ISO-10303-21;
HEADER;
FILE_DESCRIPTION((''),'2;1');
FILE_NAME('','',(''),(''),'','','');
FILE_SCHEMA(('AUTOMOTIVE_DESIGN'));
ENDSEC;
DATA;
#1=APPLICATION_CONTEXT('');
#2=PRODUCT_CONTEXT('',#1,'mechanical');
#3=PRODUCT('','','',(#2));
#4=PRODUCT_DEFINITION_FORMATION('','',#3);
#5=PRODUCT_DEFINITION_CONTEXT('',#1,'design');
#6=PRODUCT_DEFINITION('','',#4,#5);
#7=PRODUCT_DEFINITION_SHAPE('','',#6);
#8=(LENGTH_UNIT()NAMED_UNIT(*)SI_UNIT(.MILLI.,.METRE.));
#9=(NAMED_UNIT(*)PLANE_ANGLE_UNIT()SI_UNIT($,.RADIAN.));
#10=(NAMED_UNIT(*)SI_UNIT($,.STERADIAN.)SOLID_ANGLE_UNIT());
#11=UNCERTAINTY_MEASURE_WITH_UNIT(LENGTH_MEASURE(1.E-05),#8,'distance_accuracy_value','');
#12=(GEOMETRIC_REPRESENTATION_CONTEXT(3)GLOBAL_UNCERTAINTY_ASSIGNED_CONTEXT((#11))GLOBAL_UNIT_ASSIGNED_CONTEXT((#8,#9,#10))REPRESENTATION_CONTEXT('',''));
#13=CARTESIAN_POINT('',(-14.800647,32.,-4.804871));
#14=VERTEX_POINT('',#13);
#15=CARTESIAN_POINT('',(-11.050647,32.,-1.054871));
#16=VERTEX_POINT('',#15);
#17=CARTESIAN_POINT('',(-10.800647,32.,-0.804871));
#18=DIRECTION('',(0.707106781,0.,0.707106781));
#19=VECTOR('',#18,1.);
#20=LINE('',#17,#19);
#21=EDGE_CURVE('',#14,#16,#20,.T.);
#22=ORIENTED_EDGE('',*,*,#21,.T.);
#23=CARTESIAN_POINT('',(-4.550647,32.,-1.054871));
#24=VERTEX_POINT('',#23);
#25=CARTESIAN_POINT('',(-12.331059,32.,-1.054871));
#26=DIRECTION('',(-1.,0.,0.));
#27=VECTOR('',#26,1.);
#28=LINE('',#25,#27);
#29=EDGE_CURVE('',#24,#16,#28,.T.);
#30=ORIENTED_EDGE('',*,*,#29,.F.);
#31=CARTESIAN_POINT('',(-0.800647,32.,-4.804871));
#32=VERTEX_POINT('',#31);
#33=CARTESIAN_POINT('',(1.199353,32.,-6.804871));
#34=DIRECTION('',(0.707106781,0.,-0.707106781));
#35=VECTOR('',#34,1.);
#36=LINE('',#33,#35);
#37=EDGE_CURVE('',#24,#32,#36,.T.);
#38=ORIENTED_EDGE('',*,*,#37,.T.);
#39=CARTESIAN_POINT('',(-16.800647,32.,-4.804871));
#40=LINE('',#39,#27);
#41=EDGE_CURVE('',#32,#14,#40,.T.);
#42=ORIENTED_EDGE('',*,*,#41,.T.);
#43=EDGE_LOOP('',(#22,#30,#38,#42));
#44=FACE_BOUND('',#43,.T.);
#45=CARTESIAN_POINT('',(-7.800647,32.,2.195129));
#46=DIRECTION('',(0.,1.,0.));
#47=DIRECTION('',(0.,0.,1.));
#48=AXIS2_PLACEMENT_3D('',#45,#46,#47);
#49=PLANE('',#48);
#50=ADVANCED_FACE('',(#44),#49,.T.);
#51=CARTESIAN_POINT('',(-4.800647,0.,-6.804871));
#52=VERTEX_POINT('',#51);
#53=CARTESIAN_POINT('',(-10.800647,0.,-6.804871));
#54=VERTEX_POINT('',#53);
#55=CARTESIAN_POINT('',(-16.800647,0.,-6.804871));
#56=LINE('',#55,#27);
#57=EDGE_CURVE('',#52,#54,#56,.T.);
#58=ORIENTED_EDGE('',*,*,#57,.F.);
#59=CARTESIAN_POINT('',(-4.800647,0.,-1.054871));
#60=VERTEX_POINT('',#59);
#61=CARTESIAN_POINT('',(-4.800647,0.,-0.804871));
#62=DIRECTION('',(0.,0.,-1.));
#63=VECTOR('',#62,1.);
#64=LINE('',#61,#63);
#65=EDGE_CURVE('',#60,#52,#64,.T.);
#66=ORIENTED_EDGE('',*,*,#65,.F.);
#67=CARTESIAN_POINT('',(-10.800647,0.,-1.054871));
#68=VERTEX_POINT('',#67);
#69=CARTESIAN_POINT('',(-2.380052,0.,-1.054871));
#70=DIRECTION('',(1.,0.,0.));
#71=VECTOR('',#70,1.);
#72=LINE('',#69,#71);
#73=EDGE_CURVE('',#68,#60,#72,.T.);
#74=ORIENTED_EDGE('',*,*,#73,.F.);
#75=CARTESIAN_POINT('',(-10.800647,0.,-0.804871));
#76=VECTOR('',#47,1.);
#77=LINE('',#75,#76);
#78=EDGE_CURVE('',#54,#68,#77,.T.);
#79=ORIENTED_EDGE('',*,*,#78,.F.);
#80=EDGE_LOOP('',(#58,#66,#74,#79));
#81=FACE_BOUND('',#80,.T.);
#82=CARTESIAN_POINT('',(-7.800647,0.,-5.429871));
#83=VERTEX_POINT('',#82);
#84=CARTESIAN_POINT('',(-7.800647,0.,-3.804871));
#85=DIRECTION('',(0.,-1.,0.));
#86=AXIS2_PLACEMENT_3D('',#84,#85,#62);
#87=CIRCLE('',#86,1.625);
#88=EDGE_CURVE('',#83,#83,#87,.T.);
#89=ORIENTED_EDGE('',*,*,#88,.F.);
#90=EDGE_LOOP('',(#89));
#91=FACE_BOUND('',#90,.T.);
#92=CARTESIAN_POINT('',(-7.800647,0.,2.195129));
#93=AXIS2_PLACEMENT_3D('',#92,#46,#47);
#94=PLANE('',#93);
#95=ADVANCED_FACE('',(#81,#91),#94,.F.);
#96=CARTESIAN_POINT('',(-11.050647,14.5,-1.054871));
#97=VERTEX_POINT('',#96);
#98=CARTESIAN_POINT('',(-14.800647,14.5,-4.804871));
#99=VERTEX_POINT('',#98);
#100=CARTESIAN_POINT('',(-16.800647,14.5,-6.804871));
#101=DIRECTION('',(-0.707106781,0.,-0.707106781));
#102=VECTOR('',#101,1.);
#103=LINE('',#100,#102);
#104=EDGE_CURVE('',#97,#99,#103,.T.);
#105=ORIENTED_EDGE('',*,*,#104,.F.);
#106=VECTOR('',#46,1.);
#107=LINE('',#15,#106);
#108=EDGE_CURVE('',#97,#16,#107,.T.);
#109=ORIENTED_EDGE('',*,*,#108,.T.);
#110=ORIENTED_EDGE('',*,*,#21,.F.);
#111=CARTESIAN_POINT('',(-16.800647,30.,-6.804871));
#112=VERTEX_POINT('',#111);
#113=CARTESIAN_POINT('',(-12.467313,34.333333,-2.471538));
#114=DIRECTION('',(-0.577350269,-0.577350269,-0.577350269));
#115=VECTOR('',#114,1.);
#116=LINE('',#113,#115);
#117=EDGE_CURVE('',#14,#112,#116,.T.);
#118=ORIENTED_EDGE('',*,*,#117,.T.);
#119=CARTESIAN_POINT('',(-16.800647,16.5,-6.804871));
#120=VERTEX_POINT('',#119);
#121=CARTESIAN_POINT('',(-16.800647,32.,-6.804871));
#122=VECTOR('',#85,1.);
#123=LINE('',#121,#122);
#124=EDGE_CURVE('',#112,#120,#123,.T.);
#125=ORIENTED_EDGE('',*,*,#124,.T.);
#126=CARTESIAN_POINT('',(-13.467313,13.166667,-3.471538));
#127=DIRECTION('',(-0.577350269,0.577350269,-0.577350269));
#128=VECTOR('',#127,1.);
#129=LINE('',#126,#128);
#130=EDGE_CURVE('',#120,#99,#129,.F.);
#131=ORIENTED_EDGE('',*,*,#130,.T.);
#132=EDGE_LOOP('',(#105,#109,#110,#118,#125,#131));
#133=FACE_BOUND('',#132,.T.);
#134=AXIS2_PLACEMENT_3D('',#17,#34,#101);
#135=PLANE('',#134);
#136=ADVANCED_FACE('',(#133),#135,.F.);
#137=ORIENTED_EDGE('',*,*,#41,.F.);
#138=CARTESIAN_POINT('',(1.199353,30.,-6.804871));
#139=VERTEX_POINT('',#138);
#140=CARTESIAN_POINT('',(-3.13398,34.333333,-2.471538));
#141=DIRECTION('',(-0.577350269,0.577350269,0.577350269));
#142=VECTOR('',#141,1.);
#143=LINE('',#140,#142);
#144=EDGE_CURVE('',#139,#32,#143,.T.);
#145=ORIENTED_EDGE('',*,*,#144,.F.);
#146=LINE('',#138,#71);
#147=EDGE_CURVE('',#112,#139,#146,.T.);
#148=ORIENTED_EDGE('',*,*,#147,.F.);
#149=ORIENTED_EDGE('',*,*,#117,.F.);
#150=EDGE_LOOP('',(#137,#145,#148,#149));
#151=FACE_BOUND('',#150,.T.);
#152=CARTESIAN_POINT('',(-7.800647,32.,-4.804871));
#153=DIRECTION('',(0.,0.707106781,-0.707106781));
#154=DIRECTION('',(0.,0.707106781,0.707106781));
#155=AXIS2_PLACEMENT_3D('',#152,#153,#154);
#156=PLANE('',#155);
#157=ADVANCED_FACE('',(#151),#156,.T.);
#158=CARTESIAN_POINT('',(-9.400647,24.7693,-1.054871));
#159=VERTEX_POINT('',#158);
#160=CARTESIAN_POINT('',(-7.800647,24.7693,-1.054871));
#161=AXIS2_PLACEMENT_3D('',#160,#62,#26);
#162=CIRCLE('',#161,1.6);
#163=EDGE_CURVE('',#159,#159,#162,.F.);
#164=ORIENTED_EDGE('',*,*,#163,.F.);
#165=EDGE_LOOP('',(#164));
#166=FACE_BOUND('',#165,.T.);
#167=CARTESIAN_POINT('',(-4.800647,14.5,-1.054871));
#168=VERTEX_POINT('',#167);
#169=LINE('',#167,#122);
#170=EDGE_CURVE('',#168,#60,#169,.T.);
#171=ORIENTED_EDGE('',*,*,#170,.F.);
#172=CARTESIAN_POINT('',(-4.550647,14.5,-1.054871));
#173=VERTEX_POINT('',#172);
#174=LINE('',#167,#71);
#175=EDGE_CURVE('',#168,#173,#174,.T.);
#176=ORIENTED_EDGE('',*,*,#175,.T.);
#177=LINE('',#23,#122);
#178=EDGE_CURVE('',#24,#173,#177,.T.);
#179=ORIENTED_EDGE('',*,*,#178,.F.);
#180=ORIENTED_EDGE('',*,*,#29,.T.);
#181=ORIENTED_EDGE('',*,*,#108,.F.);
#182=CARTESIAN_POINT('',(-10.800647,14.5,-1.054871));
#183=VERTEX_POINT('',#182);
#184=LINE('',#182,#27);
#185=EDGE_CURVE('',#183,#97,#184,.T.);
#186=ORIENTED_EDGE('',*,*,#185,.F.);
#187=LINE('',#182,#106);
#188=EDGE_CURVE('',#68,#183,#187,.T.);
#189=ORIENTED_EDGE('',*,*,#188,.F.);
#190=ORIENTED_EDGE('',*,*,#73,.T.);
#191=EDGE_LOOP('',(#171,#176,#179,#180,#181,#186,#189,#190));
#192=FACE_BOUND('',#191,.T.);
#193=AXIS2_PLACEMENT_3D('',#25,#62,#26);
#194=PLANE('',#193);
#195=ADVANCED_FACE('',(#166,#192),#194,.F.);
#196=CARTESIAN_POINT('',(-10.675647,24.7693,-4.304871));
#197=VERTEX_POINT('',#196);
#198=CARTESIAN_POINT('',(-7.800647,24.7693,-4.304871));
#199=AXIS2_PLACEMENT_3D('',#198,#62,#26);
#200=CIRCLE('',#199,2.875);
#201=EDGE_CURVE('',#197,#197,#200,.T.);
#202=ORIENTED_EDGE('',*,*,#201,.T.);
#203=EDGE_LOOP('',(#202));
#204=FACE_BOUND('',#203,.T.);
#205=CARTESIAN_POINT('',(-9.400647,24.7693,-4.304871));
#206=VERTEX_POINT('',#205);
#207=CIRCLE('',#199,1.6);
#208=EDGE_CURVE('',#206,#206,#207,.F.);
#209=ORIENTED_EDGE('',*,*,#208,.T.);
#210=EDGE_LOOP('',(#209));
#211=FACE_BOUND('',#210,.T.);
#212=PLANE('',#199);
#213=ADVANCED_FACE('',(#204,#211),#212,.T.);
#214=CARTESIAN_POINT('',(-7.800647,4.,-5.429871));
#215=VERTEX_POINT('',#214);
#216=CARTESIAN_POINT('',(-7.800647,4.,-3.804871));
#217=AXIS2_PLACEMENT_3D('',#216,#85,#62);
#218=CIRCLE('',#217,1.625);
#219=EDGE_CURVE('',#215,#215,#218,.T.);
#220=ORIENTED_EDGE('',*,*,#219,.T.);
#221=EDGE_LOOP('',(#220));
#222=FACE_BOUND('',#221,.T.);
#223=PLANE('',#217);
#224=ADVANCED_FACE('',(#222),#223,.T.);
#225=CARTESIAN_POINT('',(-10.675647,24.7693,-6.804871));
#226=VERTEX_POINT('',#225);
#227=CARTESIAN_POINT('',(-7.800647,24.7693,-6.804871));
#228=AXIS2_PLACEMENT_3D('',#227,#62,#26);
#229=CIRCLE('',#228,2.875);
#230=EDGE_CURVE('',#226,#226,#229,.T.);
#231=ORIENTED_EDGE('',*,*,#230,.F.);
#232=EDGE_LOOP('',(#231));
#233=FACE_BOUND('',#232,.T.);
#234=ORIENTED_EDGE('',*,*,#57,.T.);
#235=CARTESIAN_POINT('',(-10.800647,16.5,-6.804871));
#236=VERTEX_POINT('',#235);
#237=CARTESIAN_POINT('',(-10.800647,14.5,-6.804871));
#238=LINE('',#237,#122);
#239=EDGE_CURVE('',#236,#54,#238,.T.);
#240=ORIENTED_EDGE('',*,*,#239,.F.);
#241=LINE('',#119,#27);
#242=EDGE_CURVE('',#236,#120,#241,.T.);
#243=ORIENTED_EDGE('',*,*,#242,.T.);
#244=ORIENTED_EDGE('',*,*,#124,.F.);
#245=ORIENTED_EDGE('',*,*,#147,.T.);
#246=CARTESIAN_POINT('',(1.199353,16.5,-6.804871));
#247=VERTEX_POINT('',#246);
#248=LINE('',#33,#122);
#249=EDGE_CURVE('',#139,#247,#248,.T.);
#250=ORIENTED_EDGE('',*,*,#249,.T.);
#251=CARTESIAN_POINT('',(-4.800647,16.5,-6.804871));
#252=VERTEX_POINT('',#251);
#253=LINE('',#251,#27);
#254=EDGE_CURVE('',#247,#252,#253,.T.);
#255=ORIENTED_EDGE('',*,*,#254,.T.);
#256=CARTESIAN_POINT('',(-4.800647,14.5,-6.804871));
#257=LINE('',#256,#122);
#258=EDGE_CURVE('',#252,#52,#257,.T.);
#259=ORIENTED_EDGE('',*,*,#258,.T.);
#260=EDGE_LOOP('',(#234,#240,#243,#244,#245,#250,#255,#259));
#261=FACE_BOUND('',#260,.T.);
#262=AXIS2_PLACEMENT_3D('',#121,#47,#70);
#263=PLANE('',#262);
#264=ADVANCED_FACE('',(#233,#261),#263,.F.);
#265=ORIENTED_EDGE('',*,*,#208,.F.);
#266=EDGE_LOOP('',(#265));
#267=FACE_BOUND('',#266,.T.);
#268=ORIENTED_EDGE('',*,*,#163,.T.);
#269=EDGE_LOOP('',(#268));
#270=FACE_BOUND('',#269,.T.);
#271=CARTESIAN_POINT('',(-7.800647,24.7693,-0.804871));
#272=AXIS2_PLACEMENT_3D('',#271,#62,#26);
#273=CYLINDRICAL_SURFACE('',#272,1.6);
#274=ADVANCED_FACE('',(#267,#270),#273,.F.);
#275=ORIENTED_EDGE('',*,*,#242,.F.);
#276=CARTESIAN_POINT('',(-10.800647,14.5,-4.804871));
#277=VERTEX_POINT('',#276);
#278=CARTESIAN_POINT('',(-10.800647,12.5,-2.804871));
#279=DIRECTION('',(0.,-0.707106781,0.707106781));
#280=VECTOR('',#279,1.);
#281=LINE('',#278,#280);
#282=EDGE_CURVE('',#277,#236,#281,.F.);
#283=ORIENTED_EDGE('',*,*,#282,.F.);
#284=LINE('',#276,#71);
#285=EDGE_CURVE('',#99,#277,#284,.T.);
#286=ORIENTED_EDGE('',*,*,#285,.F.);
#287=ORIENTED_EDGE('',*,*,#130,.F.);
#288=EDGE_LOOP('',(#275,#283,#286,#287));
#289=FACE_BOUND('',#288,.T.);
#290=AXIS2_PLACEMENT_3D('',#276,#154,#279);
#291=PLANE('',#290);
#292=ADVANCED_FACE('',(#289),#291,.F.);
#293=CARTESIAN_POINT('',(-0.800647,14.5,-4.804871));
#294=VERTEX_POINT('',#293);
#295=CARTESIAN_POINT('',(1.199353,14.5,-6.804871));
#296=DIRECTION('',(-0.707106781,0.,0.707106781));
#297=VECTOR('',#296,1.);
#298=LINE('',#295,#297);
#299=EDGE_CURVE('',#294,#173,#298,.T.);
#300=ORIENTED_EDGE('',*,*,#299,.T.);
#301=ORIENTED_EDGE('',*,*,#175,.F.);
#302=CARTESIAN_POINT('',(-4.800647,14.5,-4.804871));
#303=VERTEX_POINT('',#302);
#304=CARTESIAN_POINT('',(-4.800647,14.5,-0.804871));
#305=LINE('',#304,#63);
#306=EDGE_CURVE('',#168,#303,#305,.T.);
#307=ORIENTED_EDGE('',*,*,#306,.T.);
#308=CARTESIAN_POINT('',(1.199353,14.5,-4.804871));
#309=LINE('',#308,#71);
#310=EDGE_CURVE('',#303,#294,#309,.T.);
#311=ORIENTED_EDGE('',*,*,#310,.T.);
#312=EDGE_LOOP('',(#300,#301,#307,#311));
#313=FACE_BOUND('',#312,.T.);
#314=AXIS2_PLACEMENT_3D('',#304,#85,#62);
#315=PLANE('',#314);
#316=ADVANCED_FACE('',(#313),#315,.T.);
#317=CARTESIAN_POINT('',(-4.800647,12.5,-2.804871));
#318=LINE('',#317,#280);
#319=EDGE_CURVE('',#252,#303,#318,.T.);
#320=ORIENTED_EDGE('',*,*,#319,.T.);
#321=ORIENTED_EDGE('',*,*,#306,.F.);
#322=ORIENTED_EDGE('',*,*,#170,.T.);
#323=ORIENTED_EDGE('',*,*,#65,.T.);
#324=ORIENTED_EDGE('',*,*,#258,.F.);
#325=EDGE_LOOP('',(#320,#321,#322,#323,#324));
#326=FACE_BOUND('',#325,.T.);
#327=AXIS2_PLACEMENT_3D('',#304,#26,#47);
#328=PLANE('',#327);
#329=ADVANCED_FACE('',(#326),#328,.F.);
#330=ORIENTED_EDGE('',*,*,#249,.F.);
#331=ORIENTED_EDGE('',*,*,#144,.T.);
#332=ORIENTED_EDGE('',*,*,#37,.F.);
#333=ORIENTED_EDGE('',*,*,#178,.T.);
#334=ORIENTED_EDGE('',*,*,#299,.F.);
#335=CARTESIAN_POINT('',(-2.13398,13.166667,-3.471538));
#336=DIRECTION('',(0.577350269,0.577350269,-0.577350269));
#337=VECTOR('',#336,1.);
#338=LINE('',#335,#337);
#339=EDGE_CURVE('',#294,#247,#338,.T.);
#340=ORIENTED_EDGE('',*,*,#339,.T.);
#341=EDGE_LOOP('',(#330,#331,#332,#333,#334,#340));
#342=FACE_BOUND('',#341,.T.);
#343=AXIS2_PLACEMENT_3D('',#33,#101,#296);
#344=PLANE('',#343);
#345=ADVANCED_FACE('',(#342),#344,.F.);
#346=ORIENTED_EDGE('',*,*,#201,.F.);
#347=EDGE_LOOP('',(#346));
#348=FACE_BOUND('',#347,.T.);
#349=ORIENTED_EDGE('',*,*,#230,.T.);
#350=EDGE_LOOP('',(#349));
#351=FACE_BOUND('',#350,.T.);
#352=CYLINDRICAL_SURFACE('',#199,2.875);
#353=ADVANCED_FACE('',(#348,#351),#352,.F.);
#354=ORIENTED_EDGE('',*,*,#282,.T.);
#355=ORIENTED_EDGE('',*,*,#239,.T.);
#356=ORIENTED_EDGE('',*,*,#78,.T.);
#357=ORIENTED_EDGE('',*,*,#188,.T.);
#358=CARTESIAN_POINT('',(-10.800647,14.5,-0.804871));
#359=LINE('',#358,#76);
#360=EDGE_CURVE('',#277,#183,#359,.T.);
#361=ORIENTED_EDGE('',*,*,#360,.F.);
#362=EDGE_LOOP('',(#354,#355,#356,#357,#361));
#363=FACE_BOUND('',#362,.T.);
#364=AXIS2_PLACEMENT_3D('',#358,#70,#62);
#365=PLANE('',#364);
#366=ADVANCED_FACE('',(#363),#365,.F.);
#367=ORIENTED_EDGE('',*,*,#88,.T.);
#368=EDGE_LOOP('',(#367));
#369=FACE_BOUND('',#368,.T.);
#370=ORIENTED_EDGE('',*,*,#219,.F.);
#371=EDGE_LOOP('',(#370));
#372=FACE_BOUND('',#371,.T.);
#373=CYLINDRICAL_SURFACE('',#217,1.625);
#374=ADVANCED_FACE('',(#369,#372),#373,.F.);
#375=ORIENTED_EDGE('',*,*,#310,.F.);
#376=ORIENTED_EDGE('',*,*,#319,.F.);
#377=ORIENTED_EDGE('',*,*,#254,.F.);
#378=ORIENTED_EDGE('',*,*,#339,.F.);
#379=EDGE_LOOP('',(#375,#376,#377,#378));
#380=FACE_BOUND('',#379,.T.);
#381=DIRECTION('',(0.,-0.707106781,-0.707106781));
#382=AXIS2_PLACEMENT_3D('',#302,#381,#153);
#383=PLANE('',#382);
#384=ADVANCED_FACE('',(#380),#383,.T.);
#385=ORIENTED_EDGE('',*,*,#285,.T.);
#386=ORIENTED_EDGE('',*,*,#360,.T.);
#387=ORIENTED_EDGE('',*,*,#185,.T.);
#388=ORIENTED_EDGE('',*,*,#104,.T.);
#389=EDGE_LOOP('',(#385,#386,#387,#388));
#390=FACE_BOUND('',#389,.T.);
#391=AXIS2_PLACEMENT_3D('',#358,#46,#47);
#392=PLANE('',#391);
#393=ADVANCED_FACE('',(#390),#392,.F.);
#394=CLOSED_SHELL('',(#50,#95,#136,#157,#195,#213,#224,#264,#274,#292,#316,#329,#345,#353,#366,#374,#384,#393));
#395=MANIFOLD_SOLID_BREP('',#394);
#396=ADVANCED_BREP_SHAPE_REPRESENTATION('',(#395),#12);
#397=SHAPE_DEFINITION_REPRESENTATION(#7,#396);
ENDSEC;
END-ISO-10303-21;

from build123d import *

# Parameters (mm, degrees)
BOSS_EXTRUDE1_DEPTH = 32
CHAMFER1_SIZE       = 2
CUT_EXTRUDE1_DEPTH  = 14.5
CHAMFER2_SIZE       = 2
SKETCH3_R           = 1.625
CUT_EXTRUDE2_DEPTH  = 4
SKETCH4_R           = 1.6
CUT_EXTRUDE3_DEPTH  = 7
SKETCH5_R           = 2.875
CUT_EXTRUDE4_DEPTH  = 2.5
SKETCH6_W           = 9.951006948
SKETCH6_H           = 32
CUT_EXTRUDE5_DEPTH  = 0.25


with BuildPart() as part:
    # Sketch1 → Boss-Extrude1 (new body)
    with BuildSketch(Plane(origin=(0, 0, 0), x_dir=(1, 0, 0), z_dir=(0, 1, 0))):
        Polygon((-16.800646523, 6.80487106), (1.199353477, 6.80487106), (-4.800646523, 0.80487106), (-10.800646523, 0.80487106), align=None)
    extrude(amount=BOSS_EXTRUDE1_DEPTH)

    # Chamfer1
    chamfer1_edges = [part.edges().sort_by_distance(p)[0] for p in [
        (-7.800646523, 32, -6.80487106),
    ]]
    chamfer(chamfer1_edges, length=CHAMFER1_SIZE)

    # Sketch2 → Cut-Extrude1 (cut)
    with BuildSketch(Plane.XZ):
        Polygon((-4.800646523, -0.80487106), (-4.800646523, -6.80487106), (1.199353477, -6.80487106), align=None)
        Polygon((-10.800646523, -0.80487106), (-10.800646523, -6.80487106), (-16.800646523, -6.80487106), align=None)
    extrude(amount=-CUT_EXTRUDE1_DEPTH, mode=Mode.SUBTRACT)

    # Chamfer2
    chamfer2_edges = [part.edges().sort_by_distance(p)[0] for p in [
        (-1.800646523, 14.5, -6.80487106),
        (-13.800646523, 14.5, -6.80487106),
    ]]
    chamfer(chamfer2_edges, length=CHAMFER2_SIZE)

    # Sketch3 → Cut-Extrude2 (cut)
    with BuildSketch(Plane.XZ):
        with Locations((-7.800646523, -3.80487106)):
            Circle(SKETCH3_R)
    extrude(amount=-CUT_EXTRUDE2_DEPTH, mode=Mode.SUBTRACT)

    # Sketch4 → Cut-Extrude3 (cut, through all)
    with BuildSketch(Plane(origin=(0, 0, -6.80487106), x_dir=(-1, 0, 0), z_dir=(0, 0, -1))):
        with Locations((7.800646523, 24.7693)):
            Circle(SKETCH4_R)
    extrude(amount=-CUT_EXTRUDE3_DEPTH, mode=Mode.SUBTRACT)

    # Sketch5 → Cut-Extrude4 (cut)
    with BuildSketch(Plane(origin=(0, 0, -6.80487106), x_dir=(-1, 0, 0), z_dir=(0, 0, -1))):
        with Locations((7.800646523, 24.7693)):
            Circle(SKETCH5_R)
    extrude(amount=-CUT_EXTRUDE4_DEPTH, mode=Mode.SUBTRACT)

    # Sketch6 → Cut-Extrude5 (cut)
    with BuildSketch(Plane.XY.offset(-0.80487106)):
        with Locations((-7.355555637, 16)):
            Rectangle(SKETCH6_W, SKETCH6_H)
    extrude(amount=-CUT_EXTRUDE5_DEPTH, mode=Mode.SUBTRACT)


solid = part.part
